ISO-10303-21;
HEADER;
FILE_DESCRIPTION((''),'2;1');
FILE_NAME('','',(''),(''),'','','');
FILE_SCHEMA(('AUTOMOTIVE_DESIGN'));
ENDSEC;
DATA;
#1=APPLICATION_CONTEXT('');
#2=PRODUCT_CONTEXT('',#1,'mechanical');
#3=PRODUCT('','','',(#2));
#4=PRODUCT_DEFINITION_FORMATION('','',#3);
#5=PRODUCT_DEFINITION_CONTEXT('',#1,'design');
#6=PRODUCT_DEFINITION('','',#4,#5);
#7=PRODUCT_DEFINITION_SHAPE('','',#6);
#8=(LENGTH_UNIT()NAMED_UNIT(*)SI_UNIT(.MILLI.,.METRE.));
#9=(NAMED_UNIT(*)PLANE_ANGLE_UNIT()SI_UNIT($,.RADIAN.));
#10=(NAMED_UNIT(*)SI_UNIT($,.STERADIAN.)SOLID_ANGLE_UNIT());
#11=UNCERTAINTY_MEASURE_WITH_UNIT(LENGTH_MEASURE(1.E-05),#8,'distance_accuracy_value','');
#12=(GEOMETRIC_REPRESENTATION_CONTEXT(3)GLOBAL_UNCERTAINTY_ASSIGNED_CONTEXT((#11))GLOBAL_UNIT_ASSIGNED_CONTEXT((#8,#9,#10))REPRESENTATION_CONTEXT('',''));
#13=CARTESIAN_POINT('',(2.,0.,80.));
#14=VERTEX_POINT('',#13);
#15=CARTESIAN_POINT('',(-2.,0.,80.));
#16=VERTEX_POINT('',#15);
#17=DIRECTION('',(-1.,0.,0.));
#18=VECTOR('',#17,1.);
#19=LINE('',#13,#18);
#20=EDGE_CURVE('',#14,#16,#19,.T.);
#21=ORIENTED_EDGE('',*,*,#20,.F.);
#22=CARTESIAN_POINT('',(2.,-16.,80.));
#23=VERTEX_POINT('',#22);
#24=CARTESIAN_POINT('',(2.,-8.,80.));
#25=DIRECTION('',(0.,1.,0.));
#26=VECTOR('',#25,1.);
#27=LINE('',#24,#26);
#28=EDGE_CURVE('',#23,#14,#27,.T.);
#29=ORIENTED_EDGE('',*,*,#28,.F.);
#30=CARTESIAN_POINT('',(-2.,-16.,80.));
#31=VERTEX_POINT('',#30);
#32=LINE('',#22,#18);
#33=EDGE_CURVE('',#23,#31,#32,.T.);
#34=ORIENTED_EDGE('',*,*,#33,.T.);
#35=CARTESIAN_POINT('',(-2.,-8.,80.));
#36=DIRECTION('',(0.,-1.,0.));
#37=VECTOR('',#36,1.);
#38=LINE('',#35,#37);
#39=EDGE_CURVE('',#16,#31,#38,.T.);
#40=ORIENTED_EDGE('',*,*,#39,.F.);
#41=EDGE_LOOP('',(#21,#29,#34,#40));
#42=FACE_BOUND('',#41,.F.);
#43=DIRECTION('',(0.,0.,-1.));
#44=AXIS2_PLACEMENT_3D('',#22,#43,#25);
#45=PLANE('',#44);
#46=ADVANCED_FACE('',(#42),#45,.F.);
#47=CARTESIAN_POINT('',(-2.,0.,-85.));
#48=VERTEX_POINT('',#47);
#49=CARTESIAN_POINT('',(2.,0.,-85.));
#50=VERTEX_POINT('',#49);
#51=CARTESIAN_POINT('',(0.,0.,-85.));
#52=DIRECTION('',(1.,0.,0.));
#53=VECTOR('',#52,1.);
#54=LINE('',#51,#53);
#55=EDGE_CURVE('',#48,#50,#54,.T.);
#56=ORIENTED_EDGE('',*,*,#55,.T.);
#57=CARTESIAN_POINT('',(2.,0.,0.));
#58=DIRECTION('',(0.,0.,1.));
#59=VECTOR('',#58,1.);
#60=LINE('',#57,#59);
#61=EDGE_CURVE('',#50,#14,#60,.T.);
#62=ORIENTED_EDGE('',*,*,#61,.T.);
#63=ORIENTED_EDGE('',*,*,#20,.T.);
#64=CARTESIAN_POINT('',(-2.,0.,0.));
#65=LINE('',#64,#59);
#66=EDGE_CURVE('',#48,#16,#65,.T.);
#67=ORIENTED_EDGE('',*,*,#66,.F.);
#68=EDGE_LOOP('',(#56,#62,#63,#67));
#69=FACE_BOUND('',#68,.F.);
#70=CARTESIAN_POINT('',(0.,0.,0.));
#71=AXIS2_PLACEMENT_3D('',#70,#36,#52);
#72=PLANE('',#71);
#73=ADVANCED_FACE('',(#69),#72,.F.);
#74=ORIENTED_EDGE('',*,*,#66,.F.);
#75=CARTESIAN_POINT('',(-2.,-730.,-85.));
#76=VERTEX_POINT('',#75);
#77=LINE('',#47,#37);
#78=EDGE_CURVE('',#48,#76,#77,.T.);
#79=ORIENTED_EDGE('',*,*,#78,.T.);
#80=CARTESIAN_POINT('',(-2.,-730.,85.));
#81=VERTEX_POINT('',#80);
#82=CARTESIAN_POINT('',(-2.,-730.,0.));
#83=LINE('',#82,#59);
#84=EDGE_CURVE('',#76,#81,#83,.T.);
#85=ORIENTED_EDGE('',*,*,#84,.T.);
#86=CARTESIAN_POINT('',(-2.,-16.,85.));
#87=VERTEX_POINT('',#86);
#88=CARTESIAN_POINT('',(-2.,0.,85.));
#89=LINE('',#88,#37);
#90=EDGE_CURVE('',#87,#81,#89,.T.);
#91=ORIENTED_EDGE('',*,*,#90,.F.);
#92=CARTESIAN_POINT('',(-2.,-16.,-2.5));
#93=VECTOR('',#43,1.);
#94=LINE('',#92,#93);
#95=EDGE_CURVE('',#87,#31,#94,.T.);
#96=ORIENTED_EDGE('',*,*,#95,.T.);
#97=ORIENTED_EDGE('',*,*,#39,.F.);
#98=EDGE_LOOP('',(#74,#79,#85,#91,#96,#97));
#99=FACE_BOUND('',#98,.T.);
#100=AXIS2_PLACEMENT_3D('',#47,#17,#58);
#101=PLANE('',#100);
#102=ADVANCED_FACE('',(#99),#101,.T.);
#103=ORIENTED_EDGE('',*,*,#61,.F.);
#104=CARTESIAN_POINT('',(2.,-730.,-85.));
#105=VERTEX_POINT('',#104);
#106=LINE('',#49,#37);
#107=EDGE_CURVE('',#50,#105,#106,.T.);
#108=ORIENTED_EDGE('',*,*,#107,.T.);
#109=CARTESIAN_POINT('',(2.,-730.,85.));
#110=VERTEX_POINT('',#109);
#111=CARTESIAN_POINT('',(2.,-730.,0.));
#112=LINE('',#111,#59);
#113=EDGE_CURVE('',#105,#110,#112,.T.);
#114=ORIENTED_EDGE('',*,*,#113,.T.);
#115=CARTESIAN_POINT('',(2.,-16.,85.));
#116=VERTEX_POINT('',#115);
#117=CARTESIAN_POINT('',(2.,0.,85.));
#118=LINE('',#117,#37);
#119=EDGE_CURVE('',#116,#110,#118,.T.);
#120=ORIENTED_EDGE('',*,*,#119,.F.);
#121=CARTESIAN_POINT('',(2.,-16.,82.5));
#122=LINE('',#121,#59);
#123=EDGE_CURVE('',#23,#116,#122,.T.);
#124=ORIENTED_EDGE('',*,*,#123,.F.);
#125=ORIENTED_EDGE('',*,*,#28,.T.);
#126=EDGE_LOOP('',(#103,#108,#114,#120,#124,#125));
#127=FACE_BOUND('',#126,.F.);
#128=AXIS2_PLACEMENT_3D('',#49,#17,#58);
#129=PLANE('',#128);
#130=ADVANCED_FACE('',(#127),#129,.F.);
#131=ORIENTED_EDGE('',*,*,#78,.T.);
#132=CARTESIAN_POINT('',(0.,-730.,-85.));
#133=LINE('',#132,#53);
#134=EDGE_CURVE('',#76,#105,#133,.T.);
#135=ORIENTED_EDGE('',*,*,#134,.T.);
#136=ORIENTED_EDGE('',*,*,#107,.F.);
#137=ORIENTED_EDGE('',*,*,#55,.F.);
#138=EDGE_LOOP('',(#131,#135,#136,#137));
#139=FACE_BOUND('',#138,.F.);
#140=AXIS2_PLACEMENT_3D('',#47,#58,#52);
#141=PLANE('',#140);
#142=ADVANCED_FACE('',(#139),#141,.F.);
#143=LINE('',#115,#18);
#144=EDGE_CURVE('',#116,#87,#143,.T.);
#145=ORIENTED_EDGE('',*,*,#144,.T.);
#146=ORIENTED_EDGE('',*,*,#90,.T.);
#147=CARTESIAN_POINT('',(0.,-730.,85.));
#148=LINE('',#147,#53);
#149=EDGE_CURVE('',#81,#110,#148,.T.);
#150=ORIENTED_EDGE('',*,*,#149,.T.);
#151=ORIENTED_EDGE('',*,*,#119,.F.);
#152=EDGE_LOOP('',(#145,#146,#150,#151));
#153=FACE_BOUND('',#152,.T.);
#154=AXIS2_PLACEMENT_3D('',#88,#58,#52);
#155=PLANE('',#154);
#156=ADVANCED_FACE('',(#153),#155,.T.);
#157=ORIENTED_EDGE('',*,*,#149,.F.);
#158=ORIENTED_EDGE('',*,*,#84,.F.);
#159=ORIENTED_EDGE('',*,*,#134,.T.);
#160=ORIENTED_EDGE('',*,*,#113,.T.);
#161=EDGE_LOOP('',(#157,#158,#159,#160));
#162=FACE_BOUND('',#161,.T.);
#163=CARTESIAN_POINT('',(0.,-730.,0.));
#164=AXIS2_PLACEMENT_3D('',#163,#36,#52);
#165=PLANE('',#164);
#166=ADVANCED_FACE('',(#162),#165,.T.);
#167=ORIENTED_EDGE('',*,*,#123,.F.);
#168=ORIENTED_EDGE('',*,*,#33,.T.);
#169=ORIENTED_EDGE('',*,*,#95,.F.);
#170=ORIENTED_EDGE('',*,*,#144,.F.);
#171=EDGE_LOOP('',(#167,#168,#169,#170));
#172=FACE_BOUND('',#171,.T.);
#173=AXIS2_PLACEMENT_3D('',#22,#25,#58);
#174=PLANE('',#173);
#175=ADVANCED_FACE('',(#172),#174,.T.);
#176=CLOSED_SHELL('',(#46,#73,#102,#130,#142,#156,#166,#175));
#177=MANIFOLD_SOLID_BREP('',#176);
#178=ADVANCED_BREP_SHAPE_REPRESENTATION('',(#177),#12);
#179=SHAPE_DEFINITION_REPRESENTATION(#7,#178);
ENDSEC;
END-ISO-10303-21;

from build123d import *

# Parameters (mm, degrees)
F0_W     = 4
F0_H     = 170
F1_DEPTH = 730
F2_W     = 16
F2_H     = 5
F3_DEPTH = 25


with BuildPart() as f1:
    # F0 (on Front) → F1 (new body)
    with BuildSketch(Plane.XZ):
        Rectangle(F0_W, F0_H)
    extrude(amount=F1_DEPTH)

    # F2 (on face) → F3 (cut)
    with BuildSketch(Plane.YZ.offset(2)):
        with Locations((-8, 82.5)):
            Rectangle(F2_W, F2_H)
    extrude(amount=-F3_DEPTH, mode=Mode.SUBTRACT)


solid = f1.part
